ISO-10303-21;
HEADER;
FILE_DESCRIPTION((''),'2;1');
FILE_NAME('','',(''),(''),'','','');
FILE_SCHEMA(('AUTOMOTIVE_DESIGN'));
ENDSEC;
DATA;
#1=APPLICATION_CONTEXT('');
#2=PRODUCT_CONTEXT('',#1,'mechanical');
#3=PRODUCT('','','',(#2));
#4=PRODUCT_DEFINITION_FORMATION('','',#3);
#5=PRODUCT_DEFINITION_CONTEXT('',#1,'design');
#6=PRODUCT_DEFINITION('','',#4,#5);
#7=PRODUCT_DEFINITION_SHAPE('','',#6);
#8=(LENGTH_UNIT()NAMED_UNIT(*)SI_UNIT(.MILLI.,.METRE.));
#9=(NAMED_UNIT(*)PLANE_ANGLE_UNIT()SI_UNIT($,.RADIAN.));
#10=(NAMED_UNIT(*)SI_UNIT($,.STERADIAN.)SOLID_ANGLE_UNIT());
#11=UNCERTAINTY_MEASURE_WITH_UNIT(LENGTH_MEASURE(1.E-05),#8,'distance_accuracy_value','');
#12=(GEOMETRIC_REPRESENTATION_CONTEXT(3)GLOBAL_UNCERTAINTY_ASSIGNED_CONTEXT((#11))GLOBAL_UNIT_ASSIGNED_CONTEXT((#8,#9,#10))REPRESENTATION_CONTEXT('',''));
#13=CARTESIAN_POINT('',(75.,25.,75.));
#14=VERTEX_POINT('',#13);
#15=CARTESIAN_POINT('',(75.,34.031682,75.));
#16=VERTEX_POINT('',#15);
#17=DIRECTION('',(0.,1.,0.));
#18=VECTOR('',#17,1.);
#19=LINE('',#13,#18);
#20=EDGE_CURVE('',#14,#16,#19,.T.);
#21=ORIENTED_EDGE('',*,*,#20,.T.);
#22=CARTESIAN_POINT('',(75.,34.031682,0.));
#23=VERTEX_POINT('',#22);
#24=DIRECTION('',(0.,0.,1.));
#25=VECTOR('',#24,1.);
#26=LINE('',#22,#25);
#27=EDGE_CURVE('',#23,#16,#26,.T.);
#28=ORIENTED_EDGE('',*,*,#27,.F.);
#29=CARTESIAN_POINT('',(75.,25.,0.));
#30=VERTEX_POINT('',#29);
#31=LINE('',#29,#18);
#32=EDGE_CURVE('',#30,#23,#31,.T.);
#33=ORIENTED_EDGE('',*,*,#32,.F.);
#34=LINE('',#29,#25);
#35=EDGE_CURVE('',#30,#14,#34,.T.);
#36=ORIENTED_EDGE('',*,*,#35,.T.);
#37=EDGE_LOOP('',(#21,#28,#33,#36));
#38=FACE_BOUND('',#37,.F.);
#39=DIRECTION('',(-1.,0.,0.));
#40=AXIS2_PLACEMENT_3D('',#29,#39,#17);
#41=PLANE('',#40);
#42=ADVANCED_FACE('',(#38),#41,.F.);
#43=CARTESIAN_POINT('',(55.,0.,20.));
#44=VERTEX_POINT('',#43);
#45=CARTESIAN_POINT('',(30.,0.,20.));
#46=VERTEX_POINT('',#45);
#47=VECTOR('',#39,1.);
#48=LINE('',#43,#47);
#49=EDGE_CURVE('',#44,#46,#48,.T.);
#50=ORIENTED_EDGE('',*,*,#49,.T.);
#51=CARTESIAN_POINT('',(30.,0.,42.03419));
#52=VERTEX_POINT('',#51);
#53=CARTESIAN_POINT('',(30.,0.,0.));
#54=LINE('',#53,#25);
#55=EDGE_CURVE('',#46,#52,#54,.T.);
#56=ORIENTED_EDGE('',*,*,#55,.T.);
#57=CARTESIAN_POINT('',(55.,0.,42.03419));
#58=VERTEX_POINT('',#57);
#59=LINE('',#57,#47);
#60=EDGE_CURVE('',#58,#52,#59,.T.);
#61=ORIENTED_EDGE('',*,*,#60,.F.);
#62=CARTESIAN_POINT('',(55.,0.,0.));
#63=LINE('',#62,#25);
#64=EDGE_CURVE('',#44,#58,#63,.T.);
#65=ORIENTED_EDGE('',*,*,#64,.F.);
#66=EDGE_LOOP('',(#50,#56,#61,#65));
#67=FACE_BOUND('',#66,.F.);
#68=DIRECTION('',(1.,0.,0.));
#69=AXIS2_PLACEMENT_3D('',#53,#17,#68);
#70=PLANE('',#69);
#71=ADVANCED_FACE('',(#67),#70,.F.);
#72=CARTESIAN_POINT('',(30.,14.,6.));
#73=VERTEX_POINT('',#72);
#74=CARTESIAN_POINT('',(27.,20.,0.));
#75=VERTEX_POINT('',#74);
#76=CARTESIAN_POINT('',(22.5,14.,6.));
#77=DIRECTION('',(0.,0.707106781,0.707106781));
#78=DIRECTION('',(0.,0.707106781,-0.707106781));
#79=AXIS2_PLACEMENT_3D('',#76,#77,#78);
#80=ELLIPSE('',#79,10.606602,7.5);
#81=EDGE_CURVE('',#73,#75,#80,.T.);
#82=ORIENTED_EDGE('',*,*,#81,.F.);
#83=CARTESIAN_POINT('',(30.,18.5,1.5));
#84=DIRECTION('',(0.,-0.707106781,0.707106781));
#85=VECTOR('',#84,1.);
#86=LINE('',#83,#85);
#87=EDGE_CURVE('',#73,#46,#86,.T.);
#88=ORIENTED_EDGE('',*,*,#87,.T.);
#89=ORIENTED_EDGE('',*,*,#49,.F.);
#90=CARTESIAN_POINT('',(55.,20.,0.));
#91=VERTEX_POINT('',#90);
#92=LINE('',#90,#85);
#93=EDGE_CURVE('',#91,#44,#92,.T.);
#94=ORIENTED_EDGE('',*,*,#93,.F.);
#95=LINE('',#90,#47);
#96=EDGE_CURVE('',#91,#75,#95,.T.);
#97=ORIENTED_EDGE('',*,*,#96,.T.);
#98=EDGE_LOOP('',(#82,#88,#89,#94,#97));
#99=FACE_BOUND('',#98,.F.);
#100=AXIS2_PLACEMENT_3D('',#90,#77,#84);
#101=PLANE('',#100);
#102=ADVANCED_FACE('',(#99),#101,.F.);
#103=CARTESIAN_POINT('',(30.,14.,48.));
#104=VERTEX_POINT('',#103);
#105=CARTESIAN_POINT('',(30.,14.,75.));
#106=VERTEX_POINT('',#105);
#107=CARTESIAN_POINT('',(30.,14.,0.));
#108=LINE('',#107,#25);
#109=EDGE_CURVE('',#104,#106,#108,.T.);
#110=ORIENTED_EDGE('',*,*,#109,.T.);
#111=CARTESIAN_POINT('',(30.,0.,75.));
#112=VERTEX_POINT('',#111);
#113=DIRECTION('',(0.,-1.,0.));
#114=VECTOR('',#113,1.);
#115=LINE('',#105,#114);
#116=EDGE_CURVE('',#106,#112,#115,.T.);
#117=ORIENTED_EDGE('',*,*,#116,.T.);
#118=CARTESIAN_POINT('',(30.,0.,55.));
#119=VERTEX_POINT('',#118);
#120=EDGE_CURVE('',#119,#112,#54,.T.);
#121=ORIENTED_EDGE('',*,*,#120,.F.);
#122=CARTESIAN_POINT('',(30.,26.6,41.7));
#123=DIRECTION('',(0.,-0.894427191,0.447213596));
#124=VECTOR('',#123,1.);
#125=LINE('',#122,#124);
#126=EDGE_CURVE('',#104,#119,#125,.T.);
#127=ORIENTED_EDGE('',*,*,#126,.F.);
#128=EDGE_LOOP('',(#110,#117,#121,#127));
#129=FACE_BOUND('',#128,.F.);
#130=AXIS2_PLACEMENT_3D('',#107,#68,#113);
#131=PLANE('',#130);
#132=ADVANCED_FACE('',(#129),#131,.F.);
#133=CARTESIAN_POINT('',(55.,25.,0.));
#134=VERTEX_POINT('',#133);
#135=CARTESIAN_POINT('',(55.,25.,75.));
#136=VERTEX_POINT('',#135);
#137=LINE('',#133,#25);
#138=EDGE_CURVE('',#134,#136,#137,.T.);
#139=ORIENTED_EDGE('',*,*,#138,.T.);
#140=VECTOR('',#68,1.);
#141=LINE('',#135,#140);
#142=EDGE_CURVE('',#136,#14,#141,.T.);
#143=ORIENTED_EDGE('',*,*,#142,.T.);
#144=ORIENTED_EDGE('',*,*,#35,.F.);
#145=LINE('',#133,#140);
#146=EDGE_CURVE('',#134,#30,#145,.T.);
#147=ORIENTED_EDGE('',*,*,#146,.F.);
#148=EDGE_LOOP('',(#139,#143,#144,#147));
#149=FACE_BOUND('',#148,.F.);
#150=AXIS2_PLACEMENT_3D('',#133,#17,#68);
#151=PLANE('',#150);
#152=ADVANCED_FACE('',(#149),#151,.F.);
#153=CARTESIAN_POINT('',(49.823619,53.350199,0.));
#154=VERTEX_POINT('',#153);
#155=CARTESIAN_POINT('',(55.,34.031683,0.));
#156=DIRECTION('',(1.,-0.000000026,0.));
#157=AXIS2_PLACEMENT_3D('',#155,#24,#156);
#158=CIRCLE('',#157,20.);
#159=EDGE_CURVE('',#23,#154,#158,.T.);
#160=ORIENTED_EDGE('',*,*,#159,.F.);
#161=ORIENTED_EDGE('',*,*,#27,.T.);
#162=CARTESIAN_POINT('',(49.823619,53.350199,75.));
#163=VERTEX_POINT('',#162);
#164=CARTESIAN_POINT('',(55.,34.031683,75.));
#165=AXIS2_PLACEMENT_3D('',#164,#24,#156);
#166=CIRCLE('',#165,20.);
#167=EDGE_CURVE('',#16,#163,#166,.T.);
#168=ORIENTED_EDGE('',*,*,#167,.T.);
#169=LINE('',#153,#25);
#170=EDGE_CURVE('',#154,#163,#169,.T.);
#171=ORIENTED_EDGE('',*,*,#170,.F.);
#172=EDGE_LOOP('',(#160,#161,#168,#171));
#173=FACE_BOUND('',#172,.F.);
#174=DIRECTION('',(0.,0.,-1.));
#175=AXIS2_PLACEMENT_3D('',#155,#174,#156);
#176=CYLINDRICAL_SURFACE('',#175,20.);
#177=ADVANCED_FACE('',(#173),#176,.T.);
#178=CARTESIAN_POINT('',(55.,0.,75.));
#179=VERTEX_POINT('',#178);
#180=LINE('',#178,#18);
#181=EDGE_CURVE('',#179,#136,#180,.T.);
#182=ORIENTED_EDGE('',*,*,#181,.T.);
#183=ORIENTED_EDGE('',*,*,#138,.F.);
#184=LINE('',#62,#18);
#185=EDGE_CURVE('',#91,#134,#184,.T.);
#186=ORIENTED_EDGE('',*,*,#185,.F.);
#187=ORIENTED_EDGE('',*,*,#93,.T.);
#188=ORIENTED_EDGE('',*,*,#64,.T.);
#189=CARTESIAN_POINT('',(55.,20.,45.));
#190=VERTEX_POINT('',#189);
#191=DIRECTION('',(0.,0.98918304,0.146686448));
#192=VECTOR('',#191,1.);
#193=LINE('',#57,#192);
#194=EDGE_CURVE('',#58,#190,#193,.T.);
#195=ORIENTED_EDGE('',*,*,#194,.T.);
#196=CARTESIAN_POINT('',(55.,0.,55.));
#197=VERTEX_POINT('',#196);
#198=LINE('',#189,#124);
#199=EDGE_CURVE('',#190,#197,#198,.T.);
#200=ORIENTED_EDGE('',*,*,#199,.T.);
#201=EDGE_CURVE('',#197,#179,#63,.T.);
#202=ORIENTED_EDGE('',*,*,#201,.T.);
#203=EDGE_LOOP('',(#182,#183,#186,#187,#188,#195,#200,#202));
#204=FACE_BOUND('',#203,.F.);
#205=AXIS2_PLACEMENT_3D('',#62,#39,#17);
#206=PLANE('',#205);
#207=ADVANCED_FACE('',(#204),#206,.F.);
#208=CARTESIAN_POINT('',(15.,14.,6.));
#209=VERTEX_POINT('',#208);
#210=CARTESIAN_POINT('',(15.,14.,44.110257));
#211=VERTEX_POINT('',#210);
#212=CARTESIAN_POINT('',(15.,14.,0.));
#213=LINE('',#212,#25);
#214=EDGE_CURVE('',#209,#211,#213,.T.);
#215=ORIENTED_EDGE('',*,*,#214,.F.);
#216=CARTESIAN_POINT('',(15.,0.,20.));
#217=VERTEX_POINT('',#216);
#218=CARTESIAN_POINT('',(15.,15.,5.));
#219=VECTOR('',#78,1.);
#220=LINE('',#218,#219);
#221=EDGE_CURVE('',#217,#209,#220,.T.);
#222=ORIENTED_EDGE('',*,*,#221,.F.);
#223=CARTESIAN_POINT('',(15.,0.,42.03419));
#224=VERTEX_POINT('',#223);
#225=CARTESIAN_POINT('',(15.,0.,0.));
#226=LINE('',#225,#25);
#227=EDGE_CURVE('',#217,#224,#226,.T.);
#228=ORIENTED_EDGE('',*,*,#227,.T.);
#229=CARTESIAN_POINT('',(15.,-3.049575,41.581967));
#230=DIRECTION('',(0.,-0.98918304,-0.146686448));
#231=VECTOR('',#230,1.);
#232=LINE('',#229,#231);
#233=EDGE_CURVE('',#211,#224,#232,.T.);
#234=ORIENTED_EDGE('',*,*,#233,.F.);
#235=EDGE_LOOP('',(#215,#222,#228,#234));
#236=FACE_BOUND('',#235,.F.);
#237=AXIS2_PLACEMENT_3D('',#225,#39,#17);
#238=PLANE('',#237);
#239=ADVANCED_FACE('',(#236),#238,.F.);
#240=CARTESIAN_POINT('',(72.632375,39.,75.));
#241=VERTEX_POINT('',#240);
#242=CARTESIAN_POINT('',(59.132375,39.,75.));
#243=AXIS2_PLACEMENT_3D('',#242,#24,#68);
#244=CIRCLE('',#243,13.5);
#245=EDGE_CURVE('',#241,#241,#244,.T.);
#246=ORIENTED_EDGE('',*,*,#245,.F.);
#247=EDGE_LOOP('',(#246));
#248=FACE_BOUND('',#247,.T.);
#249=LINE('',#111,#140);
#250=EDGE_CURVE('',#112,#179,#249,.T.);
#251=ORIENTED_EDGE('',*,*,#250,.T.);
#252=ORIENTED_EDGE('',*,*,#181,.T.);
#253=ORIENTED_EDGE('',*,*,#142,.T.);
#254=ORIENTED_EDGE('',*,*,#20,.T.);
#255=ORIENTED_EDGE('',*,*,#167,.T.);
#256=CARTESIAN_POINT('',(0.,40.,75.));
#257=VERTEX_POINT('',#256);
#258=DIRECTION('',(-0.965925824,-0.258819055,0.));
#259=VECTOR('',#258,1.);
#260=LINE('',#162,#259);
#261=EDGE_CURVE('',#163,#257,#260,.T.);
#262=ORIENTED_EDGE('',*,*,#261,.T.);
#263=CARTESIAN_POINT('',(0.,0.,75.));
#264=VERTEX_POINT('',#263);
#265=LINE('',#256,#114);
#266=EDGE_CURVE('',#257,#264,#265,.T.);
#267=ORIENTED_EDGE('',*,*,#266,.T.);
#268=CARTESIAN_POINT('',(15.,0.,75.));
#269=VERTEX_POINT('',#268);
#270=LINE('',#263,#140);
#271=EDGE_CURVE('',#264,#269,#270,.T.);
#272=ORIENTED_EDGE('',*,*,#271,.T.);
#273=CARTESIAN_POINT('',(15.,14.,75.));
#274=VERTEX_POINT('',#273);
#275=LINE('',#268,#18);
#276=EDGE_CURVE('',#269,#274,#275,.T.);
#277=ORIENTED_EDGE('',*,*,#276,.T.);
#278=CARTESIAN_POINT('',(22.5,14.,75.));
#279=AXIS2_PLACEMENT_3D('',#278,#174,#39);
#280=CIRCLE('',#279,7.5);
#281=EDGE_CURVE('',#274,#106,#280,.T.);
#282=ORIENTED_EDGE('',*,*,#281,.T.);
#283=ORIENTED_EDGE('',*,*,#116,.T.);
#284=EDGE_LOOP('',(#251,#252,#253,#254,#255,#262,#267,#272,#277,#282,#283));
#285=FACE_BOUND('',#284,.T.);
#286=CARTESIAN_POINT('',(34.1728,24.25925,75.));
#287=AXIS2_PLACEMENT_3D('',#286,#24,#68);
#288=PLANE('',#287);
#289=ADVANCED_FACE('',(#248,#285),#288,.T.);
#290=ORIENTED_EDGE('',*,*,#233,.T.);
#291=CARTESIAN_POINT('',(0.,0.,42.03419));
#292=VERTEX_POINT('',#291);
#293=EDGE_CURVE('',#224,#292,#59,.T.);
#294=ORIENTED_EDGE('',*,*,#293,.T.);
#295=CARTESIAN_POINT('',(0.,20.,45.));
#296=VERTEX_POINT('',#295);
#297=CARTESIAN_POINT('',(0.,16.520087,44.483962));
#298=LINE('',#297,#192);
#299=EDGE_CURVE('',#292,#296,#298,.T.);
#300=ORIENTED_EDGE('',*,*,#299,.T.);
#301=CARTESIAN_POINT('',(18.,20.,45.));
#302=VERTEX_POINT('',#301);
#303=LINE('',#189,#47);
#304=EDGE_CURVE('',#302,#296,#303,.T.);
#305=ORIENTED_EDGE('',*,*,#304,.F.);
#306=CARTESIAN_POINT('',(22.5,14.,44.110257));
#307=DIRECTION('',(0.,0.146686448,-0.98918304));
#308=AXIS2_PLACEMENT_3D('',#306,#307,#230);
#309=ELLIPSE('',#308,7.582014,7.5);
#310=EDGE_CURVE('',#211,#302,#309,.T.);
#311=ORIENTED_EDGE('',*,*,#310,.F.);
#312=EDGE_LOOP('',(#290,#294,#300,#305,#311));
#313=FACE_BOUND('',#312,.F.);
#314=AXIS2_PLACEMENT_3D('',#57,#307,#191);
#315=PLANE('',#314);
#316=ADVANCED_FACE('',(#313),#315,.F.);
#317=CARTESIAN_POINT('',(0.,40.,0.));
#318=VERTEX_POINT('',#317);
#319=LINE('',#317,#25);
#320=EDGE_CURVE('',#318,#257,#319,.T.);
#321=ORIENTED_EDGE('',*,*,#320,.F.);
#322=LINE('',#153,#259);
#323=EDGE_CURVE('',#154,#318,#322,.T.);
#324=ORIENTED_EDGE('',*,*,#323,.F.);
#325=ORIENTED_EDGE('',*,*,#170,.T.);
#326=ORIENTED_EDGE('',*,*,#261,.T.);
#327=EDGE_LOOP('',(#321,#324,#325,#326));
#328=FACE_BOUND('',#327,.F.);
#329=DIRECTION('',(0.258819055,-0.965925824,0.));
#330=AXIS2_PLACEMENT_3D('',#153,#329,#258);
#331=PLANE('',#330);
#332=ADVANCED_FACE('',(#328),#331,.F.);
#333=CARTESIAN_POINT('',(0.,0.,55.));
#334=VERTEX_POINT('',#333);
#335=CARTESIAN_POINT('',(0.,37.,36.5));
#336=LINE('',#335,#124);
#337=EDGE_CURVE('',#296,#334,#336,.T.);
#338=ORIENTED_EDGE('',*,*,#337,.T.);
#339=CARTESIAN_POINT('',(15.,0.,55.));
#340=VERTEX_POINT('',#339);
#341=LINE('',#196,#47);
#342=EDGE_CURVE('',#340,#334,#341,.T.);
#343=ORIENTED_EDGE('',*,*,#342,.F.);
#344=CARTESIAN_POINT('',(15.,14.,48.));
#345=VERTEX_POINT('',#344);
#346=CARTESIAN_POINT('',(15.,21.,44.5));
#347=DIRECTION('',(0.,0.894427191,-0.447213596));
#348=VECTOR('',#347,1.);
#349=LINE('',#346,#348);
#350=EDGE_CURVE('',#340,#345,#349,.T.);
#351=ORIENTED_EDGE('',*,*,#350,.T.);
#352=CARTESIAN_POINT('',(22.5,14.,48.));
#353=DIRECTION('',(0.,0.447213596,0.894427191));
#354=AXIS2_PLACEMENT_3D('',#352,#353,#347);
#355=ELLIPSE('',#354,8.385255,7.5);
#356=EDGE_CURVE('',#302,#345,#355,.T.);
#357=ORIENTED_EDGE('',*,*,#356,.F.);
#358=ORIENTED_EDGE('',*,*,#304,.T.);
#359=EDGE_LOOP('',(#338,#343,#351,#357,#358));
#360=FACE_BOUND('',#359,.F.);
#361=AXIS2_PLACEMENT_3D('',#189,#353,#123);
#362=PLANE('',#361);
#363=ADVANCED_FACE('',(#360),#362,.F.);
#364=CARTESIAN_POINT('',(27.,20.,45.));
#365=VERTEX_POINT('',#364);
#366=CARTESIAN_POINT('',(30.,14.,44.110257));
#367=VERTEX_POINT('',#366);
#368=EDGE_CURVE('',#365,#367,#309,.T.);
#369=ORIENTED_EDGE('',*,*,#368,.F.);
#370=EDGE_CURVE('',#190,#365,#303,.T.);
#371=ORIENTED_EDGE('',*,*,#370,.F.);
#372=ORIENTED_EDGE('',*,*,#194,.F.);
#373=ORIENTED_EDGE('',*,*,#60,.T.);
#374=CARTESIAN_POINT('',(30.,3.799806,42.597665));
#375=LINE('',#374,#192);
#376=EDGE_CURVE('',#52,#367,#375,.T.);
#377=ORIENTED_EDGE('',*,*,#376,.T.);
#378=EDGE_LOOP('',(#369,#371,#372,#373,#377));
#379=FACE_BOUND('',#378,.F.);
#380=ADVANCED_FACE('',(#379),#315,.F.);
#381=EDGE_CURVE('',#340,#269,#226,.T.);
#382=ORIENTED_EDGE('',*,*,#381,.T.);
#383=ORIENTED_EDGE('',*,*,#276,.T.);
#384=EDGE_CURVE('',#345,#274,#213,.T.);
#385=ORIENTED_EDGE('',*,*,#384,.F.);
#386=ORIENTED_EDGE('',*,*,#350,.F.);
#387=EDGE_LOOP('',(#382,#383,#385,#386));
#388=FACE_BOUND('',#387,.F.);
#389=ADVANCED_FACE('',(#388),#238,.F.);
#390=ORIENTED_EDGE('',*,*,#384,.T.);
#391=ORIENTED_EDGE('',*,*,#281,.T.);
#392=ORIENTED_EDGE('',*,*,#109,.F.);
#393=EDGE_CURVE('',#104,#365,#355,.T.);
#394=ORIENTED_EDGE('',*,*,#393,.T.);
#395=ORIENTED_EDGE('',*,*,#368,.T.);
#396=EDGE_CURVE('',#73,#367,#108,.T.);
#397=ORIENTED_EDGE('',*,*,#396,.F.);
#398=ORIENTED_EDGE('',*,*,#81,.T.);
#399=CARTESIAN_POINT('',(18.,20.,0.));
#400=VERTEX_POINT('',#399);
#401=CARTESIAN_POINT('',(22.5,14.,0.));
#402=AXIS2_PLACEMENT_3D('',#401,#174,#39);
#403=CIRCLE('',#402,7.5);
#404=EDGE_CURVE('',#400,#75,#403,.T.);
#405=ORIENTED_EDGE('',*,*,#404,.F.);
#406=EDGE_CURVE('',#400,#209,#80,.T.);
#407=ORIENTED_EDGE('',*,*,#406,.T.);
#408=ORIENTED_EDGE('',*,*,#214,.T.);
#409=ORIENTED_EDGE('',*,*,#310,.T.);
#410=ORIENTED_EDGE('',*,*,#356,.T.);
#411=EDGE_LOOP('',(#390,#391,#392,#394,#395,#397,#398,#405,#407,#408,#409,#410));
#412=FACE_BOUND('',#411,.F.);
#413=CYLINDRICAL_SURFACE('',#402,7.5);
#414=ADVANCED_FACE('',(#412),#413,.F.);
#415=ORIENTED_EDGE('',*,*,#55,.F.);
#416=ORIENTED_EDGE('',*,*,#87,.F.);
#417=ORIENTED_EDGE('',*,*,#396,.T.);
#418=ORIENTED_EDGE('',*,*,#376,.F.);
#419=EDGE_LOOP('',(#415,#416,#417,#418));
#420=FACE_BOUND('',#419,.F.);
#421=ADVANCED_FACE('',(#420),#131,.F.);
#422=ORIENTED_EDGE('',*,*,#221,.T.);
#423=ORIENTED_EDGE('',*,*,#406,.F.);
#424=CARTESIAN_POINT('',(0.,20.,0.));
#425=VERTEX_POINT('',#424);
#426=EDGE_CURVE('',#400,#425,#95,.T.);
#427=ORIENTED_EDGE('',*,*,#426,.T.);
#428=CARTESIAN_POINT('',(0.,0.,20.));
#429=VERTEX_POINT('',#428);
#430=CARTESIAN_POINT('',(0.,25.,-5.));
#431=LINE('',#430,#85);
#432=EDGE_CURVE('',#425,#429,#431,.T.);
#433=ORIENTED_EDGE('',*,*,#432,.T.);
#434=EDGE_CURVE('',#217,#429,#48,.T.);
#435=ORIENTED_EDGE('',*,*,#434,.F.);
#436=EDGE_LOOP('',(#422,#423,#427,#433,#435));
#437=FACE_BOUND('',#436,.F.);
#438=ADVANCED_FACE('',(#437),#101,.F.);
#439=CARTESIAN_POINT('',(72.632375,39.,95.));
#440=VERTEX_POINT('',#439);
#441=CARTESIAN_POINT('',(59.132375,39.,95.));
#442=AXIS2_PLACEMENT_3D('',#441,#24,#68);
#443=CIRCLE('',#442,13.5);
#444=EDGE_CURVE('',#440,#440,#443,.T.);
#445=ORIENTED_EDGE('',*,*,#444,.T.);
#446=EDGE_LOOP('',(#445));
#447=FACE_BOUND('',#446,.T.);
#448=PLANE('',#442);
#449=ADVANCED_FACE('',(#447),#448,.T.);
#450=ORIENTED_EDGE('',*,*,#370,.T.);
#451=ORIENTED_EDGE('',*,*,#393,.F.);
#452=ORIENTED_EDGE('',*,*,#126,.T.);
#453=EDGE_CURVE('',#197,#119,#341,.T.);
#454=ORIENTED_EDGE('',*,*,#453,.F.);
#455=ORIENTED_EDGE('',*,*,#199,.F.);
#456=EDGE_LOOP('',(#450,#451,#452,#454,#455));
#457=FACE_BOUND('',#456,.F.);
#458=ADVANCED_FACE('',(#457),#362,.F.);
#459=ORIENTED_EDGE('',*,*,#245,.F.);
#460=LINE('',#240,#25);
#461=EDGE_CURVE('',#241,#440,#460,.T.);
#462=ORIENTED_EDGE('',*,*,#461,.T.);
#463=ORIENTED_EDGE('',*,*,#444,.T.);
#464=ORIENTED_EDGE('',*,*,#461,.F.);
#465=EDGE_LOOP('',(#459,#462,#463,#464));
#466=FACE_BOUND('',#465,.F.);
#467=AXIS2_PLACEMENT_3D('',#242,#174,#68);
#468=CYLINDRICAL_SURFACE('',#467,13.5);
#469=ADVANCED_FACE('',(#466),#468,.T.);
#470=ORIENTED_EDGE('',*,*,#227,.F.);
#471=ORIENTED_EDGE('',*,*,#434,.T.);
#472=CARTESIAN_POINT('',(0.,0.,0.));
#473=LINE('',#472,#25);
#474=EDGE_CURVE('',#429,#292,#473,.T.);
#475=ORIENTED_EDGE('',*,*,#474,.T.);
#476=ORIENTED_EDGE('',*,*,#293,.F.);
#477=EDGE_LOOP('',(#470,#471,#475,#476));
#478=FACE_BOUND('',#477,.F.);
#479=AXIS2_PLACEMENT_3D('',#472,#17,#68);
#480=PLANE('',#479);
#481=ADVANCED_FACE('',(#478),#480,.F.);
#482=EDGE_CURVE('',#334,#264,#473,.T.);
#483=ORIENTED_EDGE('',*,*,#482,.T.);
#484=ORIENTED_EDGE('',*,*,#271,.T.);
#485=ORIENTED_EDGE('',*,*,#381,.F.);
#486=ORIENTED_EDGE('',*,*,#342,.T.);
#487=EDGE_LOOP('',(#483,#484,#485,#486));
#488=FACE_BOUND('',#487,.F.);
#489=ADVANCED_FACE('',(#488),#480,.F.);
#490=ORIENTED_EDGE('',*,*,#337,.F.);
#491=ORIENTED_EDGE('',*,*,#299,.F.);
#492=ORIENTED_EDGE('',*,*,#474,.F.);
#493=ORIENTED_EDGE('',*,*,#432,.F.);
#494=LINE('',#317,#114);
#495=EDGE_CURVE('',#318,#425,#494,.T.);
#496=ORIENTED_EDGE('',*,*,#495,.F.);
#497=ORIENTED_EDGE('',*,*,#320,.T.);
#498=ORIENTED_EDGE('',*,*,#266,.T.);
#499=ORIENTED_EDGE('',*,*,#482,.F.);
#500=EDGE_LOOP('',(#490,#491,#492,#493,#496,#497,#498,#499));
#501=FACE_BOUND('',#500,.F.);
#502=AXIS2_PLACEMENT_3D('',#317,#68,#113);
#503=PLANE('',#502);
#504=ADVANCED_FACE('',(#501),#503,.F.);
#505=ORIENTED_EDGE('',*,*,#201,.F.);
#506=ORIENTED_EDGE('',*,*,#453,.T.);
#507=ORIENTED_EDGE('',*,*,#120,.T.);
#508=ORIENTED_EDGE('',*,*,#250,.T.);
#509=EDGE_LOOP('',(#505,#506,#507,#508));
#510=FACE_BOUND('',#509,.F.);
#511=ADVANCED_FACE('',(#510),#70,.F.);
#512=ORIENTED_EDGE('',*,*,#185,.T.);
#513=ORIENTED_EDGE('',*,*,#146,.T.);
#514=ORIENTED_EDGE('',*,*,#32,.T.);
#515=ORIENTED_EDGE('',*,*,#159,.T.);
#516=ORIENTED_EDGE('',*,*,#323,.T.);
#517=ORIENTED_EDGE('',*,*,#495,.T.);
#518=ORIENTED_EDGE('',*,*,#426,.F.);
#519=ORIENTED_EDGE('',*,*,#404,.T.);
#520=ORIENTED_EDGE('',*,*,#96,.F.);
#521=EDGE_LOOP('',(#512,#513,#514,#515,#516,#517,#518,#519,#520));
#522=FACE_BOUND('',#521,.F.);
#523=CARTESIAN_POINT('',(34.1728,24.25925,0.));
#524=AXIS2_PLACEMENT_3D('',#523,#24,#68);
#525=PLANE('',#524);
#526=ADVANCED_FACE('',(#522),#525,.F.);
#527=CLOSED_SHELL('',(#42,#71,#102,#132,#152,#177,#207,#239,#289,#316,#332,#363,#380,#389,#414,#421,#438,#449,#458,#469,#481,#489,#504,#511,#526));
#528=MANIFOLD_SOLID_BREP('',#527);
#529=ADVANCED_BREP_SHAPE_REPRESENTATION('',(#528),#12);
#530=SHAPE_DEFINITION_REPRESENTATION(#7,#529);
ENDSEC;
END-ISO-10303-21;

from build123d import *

# Parameters (mm, degrees)
F1_DEPTH = 75
F3_DEPTH = 60
F4_R     = 13.5
F5_DEPTH = 20


with BuildPart() as f1:
    # F0 (on Top) → F1 (new body)
    with BuildSketch(Plane.XY):
        with BuildLine():
            Line((0, 40), (0, 0))
            Line((0, 0), (15, 0))
            Line((15, 0), (15, 14))
            ThreePointArc((15, 14), (22.5, 21.5), (30, 14))
            Line((30, 14), (30, 0))
            Line((30, 0), (55, 0))
            Line((55, 0), (55, 25))
            Line((55, 25), (75, 25))
            Line((75, 25), (75, 34.031682))
            ThreePointArc((75, 34.031682), (67.175229, 49.898749), (49.823619, 53.350199))
            Line((49.823619, 53.350199), (0, 40))
        make_face()
    extrude(amount=F1_DEPTH)

    # F2 (on face) → F3 (cut)
    with BuildSketch(Plane.YZ.offset(55)):
        Polygon((20, 45), (0, 55), (0, 42.03419), align=None)
        Polygon((20, 0), (0, 20), (0, 0), align=None)
    extrude(amount=-F3_DEPTH, mode=Mode.SUBTRACT)

    # F4 (on face) → F5 (join)
    with BuildSketch(Plane.XY.offset(75)):
        with Locations((59.132375, 39)):
            Circle(F4_R)
    extrude(amount=F5_DEPTH)


solid = f1.part
